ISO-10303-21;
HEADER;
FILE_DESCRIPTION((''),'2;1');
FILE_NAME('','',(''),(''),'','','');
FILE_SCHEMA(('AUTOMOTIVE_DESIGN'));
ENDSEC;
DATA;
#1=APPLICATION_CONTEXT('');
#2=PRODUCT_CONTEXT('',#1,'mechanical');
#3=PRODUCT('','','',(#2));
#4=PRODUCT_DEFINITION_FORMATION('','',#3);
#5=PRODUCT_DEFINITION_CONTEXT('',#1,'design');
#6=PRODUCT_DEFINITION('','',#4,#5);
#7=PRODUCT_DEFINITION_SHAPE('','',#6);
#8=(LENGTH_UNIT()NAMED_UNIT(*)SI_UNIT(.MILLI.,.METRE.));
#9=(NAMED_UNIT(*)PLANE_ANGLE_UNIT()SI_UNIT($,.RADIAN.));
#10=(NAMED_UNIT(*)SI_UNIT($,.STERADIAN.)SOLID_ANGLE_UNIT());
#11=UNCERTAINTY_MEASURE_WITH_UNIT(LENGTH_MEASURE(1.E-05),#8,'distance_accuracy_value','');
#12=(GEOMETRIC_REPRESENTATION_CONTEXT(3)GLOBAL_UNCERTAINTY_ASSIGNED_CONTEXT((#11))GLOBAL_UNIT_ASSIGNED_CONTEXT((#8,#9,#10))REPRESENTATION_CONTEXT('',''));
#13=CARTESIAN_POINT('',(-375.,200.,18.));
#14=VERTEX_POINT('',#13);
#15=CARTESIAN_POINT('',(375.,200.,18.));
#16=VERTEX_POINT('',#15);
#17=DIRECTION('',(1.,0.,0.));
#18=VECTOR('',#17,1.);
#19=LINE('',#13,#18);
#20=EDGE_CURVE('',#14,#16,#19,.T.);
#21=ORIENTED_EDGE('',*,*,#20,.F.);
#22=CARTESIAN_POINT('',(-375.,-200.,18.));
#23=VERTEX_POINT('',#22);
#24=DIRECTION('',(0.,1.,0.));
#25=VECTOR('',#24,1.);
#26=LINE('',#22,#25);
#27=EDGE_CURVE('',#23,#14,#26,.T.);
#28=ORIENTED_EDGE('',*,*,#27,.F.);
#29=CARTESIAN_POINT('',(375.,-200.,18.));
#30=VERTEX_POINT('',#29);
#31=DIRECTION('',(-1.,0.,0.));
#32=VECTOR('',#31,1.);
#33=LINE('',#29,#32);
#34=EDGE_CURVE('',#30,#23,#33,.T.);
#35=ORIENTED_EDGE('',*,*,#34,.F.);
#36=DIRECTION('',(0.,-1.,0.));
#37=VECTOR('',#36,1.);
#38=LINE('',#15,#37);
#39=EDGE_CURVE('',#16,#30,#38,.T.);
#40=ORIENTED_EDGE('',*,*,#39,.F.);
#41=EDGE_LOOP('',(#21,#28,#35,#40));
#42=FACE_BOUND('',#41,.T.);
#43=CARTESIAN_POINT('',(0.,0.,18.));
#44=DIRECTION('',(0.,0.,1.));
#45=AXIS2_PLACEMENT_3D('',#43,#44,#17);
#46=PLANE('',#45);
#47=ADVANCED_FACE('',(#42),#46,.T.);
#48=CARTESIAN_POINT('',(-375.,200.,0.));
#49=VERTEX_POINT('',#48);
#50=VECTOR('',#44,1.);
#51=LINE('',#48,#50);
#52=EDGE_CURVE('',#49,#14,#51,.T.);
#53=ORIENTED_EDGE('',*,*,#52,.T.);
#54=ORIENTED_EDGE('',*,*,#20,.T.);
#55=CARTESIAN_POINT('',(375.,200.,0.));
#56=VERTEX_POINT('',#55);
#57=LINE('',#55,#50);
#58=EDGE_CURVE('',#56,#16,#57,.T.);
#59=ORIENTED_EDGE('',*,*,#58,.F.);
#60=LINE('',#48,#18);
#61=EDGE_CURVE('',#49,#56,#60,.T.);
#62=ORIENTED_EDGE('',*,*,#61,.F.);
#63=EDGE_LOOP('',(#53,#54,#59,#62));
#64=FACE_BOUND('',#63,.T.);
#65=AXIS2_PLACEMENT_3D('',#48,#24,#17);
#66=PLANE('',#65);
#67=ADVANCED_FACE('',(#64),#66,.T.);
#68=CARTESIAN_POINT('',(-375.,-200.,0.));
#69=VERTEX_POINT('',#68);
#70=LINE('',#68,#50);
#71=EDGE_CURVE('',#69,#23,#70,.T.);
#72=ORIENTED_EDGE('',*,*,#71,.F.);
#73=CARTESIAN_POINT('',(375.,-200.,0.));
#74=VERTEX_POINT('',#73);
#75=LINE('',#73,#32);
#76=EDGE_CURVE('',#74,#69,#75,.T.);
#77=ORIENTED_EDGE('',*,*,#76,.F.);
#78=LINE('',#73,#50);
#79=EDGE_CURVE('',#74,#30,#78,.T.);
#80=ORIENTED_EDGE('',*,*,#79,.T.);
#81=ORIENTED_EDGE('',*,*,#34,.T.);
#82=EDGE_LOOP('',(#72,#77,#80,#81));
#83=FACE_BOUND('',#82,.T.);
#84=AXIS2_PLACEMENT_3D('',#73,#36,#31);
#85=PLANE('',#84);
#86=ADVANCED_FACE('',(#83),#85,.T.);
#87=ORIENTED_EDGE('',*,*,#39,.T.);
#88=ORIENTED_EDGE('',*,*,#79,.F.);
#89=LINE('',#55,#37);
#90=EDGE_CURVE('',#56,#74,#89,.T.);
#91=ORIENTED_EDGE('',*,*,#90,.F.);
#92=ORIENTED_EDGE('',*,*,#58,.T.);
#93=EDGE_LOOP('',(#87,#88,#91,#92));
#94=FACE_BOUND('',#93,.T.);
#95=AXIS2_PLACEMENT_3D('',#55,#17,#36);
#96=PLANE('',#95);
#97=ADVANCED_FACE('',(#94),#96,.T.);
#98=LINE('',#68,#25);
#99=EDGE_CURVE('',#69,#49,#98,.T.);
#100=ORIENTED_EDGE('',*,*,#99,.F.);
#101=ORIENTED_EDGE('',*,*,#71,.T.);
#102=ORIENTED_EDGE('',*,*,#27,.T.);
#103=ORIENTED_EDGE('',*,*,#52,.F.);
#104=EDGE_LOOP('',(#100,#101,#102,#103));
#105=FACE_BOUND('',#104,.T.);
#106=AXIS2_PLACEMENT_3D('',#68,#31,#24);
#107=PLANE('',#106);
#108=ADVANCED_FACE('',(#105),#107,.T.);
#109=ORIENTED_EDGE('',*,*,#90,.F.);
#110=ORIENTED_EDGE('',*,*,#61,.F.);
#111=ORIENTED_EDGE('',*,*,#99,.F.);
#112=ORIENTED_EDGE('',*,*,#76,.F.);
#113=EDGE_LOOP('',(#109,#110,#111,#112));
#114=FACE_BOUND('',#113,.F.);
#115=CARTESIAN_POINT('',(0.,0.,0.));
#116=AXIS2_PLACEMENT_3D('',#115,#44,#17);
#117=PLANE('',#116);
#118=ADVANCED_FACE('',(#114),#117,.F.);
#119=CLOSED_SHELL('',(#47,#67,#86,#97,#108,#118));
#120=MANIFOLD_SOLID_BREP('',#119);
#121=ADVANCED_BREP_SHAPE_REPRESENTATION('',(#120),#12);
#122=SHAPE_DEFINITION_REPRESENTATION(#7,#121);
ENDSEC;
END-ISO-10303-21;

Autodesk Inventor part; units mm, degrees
ref_plane "YZ Plane" through (0, 0, 0) normal (1, 0, 0) x (0, 1, 0)
ref_plane "XZ Plane" through (0, 0, 0) normal (0, 1, 0) x (-1, 0, 0)
ref_plane "XY Plane" through (0, 0, 0) normal (0, 0, 1) x (1, 0, 0)
sketch "Sketch1" plane through (0, 0, 0) normal (0, 0, 1) x (1, 0, 0)
  line L0 (-375, 200) -> (375, 200)
  line L1 (375, 200) -> (375, -200)
  line L2 (375, -200) -> (-375, -200)
  line L3 (-375, -200) -> (-375, 200)
  line L4 (30, 104) -> (238, 104)
  line L5 (238, 104) -> (238, -104)
  line L6 (238, -104) -> (30, -104)
  line L7 (30, -104) -> (30, 104)
  line L8 (40, 94) -> (228, 94)
  line L9 (228, 94) -> (228, -94)
  line L10 (228, -94) -> (40, -94)
  line L11 (40, -94) -> (40, 94)
  point P0 (0, 0)
  point P1 (36, -98)
  point P2 (36, 0)
  point P3 (36, 98)
  point P4 (134, -98)
  point P5 (232, -98)
  point P6 (232, 0)
  point P7 (232, 98)
  point P8 (134, 98)
  dimension "d0" = 750
  dimension "d1" = 400
  dimension "d4" = 208
  dimension "d5" = 208
  dimension "d6" = 96
  dimension "d8" = 375
  dimension "d9" = 200
  dimension "d10" = 137
  dimension "d11" = 10
  dimension "d14" = 6
  dimension "d16" = 6
  dimension "d17" = 6
  dimension "d19" = 104
  dimension "d20" = 6
  dimension "d28" = 104
extrude "Extrusion1" add sketch "Sketch1" along normal blind 18 contours L0 L1 L2 L3 | L4 L5 L6 L7 | L8 L9 L10 L11
equation "\"d5\" = d4"
equation "\"d6\" = -0.5 * d5 + 0.5 * d1"
equation "\"d8\" = 0.5 * d0"
equation "\"d9\" = 0.5 * d1"
equation "\"d17\" = d16"
equation "\"d20\" = d16"
equation "\"d28\" = d19"
properties part number "CNCM_WOOD_18mm_Base_plate" material "Wood (Birch)"
